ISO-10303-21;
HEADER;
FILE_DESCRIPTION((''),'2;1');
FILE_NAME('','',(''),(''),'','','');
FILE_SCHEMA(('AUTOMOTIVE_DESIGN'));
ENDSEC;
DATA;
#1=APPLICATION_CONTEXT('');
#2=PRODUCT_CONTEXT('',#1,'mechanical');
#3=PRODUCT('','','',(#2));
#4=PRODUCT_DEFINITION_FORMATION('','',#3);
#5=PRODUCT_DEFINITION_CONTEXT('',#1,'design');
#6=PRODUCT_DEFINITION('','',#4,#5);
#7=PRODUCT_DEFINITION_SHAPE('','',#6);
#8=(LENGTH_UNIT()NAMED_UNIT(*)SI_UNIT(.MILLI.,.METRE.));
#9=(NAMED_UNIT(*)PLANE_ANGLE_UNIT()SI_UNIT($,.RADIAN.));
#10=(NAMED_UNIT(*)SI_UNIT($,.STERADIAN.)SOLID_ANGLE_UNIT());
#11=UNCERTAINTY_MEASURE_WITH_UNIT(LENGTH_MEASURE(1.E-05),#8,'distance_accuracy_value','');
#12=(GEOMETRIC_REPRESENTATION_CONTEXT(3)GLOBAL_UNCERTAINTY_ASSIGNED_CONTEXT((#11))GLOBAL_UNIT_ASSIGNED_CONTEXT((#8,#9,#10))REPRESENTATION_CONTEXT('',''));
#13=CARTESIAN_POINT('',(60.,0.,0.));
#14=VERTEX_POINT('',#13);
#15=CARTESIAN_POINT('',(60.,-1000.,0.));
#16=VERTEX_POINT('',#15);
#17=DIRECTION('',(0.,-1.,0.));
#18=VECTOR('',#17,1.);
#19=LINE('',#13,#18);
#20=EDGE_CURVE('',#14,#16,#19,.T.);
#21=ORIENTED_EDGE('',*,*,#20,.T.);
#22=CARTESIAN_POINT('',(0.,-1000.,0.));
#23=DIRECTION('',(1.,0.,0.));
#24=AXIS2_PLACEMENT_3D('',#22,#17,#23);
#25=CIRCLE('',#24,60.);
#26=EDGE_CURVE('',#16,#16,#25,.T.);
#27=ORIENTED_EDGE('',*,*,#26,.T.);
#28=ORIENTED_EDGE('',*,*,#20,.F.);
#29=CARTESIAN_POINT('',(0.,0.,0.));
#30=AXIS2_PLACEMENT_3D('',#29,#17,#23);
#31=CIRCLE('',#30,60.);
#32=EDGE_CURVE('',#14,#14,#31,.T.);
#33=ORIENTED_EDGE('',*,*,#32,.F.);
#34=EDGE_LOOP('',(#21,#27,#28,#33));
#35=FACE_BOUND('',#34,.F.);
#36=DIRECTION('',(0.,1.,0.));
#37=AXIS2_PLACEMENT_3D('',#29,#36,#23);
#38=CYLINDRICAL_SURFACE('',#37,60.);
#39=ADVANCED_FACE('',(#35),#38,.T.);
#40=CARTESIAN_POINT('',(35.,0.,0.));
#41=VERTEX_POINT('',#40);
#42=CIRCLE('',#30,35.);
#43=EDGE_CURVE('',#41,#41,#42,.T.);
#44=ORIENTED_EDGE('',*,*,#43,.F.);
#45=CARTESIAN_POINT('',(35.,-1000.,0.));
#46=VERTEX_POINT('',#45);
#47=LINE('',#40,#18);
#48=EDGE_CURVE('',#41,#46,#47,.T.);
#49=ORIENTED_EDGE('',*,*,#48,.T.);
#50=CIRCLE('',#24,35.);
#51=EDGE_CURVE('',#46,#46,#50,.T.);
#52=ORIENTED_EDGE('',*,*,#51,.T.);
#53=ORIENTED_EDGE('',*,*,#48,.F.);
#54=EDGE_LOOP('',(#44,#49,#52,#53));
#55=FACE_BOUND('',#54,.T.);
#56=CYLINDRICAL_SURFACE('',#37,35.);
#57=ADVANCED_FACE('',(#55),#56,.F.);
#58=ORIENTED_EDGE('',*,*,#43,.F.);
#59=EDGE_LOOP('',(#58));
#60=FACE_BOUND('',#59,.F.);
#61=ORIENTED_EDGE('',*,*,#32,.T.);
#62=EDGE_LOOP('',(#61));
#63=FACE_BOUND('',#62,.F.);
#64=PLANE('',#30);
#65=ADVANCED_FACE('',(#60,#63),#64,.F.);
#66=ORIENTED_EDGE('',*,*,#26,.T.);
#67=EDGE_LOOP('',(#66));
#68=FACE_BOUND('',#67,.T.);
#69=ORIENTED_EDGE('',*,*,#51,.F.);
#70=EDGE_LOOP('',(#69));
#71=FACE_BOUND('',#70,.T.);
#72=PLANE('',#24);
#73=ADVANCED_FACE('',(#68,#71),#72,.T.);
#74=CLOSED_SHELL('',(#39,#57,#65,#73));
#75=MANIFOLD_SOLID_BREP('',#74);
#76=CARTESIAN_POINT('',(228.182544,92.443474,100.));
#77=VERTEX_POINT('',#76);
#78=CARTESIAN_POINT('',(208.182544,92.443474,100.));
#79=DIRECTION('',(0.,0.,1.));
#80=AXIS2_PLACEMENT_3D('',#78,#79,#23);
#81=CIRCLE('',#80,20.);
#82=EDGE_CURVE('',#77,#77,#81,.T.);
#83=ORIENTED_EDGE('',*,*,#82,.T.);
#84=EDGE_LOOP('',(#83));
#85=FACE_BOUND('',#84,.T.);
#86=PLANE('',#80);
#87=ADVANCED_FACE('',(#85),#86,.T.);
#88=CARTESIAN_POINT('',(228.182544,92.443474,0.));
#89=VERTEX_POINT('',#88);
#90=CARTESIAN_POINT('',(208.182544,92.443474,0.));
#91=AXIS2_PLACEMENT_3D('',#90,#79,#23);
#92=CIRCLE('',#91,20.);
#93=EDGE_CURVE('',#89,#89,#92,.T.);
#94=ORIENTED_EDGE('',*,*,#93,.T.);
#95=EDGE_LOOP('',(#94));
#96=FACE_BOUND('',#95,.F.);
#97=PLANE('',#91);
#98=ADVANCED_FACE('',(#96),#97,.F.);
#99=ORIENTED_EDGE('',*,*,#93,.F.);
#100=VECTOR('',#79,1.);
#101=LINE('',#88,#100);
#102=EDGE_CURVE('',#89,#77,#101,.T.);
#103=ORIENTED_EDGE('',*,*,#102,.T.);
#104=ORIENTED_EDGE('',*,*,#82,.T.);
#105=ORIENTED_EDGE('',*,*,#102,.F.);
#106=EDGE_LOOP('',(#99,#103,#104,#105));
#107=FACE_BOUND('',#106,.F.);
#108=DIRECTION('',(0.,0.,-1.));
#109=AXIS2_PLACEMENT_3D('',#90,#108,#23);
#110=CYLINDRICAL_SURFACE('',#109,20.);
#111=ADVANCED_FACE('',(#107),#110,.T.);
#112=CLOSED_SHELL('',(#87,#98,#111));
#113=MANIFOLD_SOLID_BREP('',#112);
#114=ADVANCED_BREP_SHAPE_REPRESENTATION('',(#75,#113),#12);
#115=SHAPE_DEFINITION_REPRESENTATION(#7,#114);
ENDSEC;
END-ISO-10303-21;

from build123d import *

# Parameters (mm, degrees)
F0_R     = 60
F0_R_2   = 35
F1_DEPTH = 1000
F2_R     = 20
F3_DEPTH = 100


with BuildPart() as f1:
    # F0 (on Front) → F1 (new body)
    with BuildSketch(Plane.XZ):
        Circle(F0_R)
        Circle(F0_R_2, mode=Mode.SUBTRACT)
    extrude(amount=F1_DEPTH)


with BuildPart() as f3:
    # F2 (on Top) → F3 (new body)
    with BuildSketch(Plane.XY):
        with Locations((208.182544, 92.443474)):
            Circle(F2_R)
    extrude(amount=F3_DEPTH)


solid = Compound([f1.part, f3.part])
